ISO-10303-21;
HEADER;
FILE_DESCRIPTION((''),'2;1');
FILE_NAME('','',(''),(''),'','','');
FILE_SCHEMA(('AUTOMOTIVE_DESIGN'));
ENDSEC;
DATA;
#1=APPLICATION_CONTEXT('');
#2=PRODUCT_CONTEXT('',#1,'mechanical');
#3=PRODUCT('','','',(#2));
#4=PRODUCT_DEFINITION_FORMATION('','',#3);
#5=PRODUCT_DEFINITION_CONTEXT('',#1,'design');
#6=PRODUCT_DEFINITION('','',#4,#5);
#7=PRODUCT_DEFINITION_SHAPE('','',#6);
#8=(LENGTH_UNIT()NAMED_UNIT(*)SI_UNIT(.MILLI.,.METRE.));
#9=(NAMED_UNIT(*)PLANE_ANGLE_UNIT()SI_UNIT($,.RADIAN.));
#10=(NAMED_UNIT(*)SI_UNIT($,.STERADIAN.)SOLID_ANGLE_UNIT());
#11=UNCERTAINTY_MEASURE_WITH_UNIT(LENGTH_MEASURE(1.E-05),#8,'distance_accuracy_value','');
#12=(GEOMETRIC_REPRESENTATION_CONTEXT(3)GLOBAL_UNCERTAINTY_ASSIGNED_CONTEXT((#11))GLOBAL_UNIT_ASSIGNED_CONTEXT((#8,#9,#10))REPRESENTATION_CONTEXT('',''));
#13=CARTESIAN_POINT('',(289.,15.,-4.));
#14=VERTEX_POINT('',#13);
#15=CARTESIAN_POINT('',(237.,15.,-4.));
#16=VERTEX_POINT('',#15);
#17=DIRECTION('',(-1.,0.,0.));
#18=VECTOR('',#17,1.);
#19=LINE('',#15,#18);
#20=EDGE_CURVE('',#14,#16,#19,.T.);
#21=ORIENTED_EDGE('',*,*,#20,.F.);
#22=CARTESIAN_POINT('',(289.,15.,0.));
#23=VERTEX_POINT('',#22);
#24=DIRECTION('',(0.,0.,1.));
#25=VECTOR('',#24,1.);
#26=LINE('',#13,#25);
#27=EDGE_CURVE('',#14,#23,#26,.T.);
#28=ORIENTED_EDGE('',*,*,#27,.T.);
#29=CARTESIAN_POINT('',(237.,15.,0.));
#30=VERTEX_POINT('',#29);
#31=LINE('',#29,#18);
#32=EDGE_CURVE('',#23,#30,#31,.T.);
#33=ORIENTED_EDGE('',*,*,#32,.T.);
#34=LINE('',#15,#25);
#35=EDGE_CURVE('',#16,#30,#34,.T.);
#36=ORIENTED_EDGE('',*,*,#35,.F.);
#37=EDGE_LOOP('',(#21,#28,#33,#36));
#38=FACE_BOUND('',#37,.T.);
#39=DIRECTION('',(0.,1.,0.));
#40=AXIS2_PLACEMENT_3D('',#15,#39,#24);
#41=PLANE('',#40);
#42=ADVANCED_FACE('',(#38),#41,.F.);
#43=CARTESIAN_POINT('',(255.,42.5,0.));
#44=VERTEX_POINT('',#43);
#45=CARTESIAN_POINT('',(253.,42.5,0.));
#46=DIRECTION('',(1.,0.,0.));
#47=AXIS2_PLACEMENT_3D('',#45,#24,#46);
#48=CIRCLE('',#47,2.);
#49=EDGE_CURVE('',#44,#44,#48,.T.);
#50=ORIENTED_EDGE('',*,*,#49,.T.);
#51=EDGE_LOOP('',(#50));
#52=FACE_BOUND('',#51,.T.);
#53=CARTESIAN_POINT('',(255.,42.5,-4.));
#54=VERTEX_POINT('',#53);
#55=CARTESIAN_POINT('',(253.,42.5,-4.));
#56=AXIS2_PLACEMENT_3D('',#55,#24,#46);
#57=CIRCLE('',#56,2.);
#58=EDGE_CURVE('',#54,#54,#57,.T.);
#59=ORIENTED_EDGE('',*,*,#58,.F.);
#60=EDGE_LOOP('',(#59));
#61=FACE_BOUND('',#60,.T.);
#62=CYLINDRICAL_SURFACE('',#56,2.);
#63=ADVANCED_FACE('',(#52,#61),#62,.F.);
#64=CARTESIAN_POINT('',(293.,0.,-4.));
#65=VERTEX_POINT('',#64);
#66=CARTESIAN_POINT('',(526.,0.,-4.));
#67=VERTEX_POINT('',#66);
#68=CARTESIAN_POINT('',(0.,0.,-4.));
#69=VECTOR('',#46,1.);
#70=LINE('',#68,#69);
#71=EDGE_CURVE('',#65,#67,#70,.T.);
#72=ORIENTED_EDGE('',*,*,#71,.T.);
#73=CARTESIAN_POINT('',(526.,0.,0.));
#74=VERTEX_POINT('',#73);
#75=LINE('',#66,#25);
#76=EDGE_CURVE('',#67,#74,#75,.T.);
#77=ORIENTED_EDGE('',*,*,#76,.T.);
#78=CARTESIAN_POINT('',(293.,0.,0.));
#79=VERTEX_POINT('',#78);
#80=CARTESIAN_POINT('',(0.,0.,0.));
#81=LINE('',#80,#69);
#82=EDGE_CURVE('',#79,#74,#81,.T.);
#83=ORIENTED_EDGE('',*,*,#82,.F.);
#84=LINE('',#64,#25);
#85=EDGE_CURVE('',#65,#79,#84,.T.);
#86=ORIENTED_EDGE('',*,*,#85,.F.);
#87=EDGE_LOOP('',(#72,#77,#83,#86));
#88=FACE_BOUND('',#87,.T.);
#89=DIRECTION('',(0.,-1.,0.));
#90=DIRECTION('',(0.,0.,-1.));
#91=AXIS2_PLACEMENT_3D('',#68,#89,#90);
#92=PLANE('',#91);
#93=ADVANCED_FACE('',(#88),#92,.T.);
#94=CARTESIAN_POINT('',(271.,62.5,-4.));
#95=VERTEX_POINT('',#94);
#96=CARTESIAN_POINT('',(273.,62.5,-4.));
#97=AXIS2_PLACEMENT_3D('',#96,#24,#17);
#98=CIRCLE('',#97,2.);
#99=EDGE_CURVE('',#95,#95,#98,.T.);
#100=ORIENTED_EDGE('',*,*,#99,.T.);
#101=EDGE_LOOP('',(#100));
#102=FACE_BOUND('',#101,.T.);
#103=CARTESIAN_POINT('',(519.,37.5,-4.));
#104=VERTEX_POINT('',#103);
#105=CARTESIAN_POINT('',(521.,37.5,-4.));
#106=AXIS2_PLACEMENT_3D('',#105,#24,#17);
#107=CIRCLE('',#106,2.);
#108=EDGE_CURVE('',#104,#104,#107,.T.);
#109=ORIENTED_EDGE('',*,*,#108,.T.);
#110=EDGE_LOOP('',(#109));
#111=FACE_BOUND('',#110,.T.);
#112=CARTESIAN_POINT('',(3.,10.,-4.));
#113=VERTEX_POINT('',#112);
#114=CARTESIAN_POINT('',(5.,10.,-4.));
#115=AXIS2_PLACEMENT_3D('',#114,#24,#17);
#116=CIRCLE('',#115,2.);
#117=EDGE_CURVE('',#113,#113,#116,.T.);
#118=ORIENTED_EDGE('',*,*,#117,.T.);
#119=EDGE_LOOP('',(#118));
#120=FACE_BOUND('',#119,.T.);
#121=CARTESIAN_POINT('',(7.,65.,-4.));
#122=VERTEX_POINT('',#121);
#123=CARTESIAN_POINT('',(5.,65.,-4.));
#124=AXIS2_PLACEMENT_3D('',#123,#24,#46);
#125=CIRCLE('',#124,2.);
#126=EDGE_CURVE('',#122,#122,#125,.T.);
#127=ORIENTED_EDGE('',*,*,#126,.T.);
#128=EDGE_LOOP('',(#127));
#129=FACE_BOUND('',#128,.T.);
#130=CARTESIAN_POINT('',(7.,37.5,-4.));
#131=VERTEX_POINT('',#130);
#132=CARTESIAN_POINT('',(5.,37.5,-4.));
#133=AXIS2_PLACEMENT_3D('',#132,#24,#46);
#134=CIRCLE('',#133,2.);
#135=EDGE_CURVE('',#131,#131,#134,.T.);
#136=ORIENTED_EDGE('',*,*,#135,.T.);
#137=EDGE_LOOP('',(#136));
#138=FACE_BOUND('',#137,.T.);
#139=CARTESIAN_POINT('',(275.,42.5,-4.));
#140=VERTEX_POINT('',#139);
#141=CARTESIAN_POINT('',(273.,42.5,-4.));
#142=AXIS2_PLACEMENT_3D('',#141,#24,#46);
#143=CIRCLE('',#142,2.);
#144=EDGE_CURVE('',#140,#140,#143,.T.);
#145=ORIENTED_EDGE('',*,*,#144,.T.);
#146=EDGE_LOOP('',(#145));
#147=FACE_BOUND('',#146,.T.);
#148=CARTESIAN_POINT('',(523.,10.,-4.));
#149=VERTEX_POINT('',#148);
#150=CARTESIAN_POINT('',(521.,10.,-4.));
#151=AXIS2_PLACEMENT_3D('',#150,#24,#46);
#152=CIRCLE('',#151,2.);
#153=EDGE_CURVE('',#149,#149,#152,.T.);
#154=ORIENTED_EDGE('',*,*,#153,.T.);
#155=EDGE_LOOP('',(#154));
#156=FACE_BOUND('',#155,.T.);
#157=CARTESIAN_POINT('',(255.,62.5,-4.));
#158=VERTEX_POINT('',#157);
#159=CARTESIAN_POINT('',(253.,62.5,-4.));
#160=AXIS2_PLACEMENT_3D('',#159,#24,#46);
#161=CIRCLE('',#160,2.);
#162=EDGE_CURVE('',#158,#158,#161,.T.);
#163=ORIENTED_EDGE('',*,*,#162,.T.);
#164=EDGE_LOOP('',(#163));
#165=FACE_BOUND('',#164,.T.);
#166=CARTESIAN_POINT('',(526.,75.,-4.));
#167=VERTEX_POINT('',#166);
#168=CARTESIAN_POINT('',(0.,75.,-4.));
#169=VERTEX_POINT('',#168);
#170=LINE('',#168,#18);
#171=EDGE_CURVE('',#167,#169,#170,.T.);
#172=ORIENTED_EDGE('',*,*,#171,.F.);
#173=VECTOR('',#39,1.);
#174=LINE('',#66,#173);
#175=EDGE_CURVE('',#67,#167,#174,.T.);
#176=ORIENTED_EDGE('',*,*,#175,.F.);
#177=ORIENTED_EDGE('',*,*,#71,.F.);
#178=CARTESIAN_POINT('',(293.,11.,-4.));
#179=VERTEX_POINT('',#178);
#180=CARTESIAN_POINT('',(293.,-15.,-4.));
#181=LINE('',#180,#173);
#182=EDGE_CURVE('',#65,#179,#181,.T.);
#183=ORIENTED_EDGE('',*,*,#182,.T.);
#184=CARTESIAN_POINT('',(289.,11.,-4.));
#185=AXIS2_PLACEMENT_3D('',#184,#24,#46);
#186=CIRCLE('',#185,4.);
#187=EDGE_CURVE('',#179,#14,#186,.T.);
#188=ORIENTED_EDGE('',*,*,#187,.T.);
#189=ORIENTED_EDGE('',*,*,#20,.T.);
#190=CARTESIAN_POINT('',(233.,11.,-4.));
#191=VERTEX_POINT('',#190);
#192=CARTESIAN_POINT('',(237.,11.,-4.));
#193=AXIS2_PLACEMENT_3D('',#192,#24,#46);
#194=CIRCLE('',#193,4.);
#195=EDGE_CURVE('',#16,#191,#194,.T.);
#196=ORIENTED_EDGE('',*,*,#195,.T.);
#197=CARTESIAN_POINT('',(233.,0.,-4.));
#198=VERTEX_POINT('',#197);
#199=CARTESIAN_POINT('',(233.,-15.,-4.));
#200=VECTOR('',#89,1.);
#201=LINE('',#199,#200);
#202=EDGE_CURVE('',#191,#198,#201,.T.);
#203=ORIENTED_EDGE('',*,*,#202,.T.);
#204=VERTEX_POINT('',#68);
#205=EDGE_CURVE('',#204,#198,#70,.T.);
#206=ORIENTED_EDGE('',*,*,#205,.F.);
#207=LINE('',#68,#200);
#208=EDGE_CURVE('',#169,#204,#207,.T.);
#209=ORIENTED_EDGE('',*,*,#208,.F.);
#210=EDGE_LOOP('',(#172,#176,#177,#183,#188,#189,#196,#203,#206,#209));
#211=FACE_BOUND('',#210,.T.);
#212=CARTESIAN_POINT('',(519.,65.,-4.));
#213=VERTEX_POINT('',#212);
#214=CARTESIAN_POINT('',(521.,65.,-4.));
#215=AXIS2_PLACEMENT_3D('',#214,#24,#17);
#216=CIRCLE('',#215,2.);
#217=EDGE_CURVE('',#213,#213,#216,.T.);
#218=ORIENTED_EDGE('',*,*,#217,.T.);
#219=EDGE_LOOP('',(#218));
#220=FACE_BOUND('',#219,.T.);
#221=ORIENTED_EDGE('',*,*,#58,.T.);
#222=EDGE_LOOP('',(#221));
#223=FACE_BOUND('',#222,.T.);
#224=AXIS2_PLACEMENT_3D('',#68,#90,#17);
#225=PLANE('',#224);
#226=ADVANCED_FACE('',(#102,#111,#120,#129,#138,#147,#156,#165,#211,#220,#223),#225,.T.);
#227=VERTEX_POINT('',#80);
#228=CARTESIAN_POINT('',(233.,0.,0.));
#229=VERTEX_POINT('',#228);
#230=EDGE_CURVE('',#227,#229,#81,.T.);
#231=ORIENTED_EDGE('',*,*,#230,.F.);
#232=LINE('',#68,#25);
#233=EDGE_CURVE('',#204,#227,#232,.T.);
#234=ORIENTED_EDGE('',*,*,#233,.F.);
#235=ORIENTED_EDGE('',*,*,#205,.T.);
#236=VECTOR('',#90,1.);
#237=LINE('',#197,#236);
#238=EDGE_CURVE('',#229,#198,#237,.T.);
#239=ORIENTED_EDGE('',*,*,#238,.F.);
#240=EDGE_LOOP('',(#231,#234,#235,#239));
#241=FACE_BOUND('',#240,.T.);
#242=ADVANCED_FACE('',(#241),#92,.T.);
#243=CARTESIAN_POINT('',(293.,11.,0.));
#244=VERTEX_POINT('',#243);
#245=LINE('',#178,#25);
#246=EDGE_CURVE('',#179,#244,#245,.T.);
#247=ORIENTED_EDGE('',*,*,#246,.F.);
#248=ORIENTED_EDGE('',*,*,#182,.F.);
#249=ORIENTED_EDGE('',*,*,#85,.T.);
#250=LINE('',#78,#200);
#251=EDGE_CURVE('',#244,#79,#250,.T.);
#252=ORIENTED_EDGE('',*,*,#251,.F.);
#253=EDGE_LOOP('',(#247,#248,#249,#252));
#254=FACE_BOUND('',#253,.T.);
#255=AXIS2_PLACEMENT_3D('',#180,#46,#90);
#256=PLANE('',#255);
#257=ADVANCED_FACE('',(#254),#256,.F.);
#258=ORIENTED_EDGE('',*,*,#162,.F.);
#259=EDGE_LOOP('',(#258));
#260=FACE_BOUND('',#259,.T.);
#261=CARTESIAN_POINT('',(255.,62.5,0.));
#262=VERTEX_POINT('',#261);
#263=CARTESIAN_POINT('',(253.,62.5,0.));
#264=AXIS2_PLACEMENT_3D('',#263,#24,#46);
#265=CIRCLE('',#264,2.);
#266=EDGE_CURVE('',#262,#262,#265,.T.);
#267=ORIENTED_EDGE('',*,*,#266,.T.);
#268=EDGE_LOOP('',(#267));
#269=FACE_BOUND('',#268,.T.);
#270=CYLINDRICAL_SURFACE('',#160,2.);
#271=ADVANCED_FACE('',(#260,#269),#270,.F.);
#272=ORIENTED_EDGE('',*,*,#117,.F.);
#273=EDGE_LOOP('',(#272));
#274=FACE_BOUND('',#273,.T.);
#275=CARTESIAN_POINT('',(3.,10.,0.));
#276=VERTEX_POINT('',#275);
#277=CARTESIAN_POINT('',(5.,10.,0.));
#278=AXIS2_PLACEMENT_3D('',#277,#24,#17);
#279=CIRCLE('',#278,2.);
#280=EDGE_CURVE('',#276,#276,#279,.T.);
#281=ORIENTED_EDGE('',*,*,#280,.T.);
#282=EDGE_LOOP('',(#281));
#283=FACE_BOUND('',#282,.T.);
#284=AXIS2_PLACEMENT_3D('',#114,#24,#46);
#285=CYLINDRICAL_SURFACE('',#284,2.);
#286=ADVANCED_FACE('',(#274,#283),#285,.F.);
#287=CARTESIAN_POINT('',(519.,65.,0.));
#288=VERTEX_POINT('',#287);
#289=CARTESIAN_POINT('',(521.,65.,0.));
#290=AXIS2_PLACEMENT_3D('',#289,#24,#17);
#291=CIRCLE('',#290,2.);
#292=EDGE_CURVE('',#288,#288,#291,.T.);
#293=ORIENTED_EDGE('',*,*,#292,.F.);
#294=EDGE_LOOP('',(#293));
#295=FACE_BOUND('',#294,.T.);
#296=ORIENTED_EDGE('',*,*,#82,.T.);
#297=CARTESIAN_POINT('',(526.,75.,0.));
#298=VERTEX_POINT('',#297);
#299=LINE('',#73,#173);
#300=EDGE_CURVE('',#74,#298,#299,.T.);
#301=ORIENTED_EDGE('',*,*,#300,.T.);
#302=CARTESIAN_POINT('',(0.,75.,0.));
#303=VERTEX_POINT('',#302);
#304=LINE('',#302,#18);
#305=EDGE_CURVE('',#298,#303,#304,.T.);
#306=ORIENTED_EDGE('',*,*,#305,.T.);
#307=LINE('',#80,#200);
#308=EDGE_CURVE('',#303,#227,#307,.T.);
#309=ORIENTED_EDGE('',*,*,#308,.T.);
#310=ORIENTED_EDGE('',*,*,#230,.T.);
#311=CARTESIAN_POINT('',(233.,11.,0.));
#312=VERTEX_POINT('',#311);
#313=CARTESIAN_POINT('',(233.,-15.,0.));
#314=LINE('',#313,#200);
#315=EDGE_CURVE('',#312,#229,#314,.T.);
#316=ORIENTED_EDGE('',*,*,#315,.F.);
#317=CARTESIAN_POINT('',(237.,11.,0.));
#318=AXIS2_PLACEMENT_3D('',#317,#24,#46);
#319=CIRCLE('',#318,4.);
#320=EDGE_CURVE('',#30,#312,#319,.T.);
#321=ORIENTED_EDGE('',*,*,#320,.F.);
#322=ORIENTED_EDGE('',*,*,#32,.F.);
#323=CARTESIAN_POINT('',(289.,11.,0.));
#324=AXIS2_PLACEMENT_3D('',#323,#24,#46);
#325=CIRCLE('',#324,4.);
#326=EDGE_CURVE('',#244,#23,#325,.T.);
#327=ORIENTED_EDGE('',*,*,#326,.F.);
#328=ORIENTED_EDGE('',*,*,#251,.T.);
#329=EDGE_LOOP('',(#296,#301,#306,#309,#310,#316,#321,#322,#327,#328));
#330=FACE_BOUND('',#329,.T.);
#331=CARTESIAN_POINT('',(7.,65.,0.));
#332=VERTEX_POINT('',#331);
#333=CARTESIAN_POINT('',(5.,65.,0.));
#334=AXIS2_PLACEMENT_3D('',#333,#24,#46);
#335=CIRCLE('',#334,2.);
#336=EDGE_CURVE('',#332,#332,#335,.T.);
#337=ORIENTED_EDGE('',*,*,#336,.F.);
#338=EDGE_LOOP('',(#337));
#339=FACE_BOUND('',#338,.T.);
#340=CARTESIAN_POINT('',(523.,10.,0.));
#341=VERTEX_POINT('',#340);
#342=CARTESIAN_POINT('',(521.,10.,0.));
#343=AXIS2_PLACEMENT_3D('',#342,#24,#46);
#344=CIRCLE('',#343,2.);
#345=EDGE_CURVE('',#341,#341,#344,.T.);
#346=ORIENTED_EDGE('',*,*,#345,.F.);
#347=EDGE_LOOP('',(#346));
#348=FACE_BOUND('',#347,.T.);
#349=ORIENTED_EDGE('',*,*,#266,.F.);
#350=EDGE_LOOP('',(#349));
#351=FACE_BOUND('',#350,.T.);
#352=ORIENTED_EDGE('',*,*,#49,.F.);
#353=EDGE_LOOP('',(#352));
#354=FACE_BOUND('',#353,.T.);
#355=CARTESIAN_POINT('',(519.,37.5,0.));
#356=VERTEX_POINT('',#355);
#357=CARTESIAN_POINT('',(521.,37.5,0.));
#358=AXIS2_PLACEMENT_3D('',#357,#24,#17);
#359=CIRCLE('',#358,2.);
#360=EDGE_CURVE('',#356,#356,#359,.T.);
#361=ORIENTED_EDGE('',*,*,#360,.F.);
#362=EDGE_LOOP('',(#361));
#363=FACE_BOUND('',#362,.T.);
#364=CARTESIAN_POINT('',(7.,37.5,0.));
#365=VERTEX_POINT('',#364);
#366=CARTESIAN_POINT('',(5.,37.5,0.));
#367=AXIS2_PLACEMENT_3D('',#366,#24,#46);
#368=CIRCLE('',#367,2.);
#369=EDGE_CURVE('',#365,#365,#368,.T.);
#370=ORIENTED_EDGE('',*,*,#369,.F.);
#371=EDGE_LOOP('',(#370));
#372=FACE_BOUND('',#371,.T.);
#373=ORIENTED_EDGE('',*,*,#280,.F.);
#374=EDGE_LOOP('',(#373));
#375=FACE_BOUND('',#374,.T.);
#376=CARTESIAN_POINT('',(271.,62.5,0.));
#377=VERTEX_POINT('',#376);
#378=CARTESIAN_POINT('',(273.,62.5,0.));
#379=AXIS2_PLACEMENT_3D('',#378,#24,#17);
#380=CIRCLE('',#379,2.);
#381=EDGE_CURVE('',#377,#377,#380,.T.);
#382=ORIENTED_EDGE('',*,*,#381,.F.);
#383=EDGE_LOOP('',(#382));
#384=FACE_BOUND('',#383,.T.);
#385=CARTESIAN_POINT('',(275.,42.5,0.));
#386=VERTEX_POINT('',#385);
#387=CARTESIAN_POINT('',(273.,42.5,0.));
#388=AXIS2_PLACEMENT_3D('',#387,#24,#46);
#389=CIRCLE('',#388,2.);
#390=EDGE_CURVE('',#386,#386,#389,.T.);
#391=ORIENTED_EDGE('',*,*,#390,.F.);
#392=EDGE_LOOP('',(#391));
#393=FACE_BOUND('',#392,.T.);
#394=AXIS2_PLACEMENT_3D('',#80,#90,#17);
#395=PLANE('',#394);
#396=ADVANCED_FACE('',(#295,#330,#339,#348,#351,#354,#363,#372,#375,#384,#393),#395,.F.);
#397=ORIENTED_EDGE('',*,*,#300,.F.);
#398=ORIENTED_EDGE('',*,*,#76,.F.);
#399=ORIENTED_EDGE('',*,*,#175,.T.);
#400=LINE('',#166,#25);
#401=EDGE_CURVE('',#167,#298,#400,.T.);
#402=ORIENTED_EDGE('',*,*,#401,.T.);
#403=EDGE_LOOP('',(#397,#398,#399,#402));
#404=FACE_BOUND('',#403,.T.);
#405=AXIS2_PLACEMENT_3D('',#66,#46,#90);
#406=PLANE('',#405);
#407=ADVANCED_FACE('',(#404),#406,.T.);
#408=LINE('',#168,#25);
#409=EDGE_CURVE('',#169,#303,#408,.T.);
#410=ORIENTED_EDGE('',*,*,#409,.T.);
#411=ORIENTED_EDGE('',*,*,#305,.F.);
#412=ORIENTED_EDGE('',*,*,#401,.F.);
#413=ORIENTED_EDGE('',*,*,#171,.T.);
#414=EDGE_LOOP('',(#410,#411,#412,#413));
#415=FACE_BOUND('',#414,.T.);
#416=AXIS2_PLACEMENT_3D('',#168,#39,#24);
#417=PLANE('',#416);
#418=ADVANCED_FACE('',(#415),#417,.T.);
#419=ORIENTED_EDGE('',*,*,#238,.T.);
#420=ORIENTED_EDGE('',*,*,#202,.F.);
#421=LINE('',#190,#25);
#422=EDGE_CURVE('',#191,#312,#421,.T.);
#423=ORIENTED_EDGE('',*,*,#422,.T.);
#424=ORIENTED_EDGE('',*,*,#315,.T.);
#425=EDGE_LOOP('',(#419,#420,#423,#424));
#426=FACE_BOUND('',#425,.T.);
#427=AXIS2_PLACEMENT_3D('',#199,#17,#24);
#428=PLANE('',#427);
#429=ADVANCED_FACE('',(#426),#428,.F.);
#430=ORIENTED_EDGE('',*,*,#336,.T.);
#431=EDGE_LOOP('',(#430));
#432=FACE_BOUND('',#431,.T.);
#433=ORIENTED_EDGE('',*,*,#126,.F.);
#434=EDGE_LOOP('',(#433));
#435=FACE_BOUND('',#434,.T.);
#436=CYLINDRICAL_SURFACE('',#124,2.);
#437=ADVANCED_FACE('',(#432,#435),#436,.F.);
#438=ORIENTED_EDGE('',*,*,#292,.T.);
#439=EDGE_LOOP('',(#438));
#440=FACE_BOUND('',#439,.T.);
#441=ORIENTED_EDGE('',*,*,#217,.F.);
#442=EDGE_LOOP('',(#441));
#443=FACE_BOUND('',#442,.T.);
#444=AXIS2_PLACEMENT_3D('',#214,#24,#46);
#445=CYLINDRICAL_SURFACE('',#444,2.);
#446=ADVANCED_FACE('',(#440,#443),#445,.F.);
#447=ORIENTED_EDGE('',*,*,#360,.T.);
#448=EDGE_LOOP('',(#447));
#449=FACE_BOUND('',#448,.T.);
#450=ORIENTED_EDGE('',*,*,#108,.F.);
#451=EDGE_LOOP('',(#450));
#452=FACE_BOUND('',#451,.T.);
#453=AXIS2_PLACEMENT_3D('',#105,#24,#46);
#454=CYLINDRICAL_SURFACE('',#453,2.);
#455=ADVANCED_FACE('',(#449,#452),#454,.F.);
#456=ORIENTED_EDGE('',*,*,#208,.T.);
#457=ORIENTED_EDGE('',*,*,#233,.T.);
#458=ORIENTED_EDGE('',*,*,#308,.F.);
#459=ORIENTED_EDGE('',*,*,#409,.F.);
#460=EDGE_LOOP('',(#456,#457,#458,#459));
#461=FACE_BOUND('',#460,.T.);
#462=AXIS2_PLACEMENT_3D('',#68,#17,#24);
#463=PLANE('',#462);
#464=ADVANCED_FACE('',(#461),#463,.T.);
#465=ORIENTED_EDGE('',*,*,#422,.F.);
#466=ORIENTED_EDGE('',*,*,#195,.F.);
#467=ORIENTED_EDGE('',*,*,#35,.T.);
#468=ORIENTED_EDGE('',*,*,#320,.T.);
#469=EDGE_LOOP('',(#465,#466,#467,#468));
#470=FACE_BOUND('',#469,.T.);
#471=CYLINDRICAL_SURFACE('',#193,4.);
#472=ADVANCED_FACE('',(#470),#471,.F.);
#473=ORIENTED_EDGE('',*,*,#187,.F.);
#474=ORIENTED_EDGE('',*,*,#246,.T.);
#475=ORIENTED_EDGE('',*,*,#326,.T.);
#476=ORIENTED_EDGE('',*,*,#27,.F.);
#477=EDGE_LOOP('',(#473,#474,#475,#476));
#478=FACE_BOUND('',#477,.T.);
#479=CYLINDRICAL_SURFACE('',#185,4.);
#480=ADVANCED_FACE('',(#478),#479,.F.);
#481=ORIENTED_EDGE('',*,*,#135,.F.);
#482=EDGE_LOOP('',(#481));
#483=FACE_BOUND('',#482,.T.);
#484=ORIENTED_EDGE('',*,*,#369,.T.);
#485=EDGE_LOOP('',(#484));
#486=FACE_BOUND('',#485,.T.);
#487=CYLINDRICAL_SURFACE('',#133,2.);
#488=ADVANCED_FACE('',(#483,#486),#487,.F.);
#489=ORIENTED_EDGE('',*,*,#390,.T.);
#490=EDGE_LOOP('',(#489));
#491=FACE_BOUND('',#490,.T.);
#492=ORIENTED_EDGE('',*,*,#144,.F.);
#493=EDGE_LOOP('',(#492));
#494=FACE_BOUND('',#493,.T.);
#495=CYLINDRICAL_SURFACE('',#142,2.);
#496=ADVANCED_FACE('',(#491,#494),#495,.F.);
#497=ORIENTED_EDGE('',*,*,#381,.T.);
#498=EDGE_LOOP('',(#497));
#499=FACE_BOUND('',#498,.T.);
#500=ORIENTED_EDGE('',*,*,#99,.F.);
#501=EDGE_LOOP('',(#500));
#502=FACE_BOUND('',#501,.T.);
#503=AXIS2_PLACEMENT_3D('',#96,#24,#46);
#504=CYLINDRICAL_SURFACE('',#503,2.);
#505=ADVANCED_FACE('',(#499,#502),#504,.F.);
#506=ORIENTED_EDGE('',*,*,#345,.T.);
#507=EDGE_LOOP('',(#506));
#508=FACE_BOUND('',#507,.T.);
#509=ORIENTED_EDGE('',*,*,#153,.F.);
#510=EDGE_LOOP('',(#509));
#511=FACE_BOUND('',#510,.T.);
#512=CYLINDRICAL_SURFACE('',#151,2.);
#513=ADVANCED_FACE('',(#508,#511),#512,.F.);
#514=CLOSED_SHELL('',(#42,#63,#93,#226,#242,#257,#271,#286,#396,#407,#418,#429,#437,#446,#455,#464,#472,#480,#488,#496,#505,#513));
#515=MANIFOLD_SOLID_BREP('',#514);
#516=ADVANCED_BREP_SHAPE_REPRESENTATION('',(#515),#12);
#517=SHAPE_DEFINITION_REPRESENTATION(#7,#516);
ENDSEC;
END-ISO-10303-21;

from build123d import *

# Parameters (mm, degrees)
SCHIZZO1_W                   = 526
SCHIZZO1_H                   = 75
SCHIZZO1_R                   = 2
ESTRUSIONE_ESTRUSIONE1_DEPTH = 4
SCHIZZO2_R                   = 2
TAGLIO_ESTRUSIONE1_DEPTH     = 4


with BuildPart() as part:
    # Schizzo1 → Estrusione-Estrusione1 (new body)
    with BuildSketch(Plane.XY):
        with Locations((263, 37.5)):
            Rectangle(SCHIZZO1_W, SCHIZZO1_H)
        with Locations((5, 37.5)):
            Circle(SCHIZZO1_R, mode=Mode.SUBTRACT)
        with Locations((5, 65)):
            Circle(SCHIZZO1_R, mode=Mode.SUBTRACT)
        with Locations(Location((5, 10, 0), (0, 0, 180))):
            Circle(SCHIZZO1_R, mode=Mode.SUBTRACT)
        with Locations((521, 10)):
            Circle(SCHIZZO1_R, mode=Mode.SUBTRACT)
        with Locations(Location((521, 65, 0), (0, 0, 180))):
            Circle(SCHIZZO1_R, mode=Mode.SUBTRACT)
        with Locations(Location((521, 37.5, 0), (0, 0, 180))):
            Circle(SCHIZZO1_R, mode=Mode.SUBTRACT)
    extrude(amount=-ESTRUSIONE_ESTRUSIONE1_DEPTH)

    # Schizzo2 → Taglio-Estrusione1 (cut)
    with BuildSketch(Plane.XY):
        with Locations((253, 62.5)):
            Circle(SCHIZZO2_R)
        with Locations(Location((273, 62.5, 0), (0, 0, 180))):
            Circle(SCHIZZO2_R)
        with Locations((253, 42.5)):
            Circle(SCHIZZO2_R)
        with Locations((273, 42.5)):
            Circle(SCHIZZO2_R)
        with BuildLine():
            Line((293, -15), (293, 11))
            ThreePointArc((293, 11), (291.828427125, 13.828427125), (289, 15))
            Line((289, 15), (237, 15))
            ThreePointArc((237, 15), (234.171572875, 13.828427125), (233, 11))
            Line((233, 11), (233, -15))
            Line((233, -15), (293, -15))
        make_face()
    extrude(amount=-TAGLIO_ESTRUSIONE1_DEPTH, mode=Mode.SUBTRACT)


solid = part.part
